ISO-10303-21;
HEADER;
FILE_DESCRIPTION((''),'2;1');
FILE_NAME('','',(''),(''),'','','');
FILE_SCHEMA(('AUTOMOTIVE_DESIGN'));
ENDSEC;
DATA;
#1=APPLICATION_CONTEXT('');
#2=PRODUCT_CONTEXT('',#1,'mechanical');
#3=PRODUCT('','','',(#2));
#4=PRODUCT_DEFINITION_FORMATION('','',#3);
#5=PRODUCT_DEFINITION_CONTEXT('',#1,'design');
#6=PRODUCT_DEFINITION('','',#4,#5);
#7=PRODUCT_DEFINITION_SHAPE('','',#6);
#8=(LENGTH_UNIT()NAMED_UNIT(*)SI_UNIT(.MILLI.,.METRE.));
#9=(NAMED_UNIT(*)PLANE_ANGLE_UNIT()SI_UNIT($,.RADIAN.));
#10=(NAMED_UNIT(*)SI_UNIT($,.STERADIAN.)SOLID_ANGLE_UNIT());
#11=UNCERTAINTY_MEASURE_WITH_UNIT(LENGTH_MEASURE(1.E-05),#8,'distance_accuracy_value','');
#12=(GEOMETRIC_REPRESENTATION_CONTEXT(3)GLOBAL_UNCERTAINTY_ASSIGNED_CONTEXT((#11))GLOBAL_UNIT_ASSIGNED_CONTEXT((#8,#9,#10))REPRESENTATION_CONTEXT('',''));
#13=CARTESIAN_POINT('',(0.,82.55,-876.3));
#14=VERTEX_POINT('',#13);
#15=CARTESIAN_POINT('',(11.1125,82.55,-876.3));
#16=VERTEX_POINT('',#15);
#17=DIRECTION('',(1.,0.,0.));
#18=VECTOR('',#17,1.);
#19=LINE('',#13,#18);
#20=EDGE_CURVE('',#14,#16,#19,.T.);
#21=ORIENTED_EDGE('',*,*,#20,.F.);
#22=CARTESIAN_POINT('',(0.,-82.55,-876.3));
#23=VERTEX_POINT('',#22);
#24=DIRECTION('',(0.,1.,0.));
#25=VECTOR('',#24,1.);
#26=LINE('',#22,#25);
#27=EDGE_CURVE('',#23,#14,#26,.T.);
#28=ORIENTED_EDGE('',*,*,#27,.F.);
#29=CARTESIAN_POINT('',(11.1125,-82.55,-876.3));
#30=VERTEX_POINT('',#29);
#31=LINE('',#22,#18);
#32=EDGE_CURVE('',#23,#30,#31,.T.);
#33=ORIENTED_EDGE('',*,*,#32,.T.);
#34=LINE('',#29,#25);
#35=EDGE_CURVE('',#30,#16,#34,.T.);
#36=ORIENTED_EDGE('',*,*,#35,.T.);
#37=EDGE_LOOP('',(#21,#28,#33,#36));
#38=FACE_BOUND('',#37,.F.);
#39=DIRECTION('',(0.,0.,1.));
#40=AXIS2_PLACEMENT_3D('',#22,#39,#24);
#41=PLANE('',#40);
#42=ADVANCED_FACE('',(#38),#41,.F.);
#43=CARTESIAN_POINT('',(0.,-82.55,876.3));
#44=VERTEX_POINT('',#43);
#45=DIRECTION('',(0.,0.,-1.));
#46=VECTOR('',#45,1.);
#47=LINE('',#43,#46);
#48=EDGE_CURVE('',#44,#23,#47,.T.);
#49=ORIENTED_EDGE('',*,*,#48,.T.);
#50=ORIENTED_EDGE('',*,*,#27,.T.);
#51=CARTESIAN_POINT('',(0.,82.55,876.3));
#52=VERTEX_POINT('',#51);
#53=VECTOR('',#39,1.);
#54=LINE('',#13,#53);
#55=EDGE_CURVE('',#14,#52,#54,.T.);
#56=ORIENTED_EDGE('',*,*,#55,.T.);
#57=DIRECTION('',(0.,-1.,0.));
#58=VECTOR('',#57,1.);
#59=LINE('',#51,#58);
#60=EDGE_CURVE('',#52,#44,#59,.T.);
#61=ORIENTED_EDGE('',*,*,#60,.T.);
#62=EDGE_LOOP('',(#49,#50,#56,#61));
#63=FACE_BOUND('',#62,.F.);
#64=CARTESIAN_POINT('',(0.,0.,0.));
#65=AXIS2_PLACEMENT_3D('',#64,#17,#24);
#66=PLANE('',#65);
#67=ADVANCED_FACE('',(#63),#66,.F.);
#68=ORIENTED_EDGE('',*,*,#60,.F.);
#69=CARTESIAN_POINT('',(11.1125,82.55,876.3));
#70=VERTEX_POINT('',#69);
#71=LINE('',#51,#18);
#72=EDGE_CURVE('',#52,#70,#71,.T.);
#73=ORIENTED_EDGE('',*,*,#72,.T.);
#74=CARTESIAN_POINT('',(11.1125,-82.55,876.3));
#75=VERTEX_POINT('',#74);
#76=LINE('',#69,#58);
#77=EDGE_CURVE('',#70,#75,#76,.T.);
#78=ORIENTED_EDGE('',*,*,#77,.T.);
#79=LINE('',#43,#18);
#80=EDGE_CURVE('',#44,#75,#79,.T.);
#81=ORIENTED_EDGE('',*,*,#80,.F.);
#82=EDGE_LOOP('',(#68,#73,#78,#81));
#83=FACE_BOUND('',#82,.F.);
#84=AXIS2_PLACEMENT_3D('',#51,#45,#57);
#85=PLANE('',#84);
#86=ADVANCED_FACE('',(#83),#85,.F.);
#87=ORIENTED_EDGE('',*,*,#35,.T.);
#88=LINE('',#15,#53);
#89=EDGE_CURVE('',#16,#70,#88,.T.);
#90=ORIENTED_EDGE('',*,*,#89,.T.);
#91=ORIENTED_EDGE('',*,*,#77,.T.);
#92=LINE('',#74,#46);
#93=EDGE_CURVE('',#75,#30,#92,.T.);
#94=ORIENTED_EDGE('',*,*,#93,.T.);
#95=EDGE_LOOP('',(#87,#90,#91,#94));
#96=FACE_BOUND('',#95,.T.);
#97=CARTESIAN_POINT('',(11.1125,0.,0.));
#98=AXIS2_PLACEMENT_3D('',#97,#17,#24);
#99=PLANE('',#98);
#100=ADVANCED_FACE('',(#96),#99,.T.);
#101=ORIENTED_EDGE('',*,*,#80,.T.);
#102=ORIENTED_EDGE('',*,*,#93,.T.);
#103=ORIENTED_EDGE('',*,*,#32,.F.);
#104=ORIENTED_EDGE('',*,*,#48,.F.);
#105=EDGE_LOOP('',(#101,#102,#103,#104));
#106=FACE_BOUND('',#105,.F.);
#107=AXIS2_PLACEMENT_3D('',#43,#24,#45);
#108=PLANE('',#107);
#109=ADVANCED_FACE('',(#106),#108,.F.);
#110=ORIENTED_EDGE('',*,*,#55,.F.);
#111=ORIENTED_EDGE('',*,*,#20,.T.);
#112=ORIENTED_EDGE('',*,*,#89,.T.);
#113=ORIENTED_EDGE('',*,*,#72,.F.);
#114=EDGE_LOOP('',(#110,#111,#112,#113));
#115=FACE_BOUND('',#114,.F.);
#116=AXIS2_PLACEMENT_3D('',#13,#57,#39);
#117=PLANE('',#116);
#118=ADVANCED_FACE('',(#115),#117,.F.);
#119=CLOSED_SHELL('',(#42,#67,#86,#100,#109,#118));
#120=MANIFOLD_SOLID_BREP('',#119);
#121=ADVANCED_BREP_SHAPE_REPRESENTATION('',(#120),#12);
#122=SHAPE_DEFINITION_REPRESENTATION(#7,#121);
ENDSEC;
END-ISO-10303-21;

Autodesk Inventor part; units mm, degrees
ref_plane "YZ Plane" through (0, 0, 0) normal (1, 0, 0) x (0, 1, 0)
ref_plane "XZ Plane" through (0, 0, 0) normal (0, 1, 0) x (-1, 0, 0)
ref_plane "XY Plane" through (0, 0, 0) normal (0, 0, 1) x (1, 0, 0)
sketch "Sketch1" plane through (0, 0, 0) normal (1, 0, 0) x (0, 1, 0)
  line L0 (-82.55, 876.3) -> (-82.55, -876.3)
  line L1 (-82.55, -876.3) -> (82.55, -876.3)
  line L2 (82.55, -876.3) -> (82.55, 876.3)
  line L3 (82.55, 876.3) -> (-82.55, 876.3)
  line L4 (-82.55, 876.3) -> (82.55, -876.3) construction
  line L5 (-82.55, -876.3) -> (82.55, 876.3) construction
  point P0 (0, 0)
  dimension "d0" = 1752.6
  dimension "d1" = 165.1
extrude "Extrusion1" add sketch "Sketch1" along normal blind 11.1125
properties part number "Home Depot Composite Slat" material "Wood (Cherry)"
